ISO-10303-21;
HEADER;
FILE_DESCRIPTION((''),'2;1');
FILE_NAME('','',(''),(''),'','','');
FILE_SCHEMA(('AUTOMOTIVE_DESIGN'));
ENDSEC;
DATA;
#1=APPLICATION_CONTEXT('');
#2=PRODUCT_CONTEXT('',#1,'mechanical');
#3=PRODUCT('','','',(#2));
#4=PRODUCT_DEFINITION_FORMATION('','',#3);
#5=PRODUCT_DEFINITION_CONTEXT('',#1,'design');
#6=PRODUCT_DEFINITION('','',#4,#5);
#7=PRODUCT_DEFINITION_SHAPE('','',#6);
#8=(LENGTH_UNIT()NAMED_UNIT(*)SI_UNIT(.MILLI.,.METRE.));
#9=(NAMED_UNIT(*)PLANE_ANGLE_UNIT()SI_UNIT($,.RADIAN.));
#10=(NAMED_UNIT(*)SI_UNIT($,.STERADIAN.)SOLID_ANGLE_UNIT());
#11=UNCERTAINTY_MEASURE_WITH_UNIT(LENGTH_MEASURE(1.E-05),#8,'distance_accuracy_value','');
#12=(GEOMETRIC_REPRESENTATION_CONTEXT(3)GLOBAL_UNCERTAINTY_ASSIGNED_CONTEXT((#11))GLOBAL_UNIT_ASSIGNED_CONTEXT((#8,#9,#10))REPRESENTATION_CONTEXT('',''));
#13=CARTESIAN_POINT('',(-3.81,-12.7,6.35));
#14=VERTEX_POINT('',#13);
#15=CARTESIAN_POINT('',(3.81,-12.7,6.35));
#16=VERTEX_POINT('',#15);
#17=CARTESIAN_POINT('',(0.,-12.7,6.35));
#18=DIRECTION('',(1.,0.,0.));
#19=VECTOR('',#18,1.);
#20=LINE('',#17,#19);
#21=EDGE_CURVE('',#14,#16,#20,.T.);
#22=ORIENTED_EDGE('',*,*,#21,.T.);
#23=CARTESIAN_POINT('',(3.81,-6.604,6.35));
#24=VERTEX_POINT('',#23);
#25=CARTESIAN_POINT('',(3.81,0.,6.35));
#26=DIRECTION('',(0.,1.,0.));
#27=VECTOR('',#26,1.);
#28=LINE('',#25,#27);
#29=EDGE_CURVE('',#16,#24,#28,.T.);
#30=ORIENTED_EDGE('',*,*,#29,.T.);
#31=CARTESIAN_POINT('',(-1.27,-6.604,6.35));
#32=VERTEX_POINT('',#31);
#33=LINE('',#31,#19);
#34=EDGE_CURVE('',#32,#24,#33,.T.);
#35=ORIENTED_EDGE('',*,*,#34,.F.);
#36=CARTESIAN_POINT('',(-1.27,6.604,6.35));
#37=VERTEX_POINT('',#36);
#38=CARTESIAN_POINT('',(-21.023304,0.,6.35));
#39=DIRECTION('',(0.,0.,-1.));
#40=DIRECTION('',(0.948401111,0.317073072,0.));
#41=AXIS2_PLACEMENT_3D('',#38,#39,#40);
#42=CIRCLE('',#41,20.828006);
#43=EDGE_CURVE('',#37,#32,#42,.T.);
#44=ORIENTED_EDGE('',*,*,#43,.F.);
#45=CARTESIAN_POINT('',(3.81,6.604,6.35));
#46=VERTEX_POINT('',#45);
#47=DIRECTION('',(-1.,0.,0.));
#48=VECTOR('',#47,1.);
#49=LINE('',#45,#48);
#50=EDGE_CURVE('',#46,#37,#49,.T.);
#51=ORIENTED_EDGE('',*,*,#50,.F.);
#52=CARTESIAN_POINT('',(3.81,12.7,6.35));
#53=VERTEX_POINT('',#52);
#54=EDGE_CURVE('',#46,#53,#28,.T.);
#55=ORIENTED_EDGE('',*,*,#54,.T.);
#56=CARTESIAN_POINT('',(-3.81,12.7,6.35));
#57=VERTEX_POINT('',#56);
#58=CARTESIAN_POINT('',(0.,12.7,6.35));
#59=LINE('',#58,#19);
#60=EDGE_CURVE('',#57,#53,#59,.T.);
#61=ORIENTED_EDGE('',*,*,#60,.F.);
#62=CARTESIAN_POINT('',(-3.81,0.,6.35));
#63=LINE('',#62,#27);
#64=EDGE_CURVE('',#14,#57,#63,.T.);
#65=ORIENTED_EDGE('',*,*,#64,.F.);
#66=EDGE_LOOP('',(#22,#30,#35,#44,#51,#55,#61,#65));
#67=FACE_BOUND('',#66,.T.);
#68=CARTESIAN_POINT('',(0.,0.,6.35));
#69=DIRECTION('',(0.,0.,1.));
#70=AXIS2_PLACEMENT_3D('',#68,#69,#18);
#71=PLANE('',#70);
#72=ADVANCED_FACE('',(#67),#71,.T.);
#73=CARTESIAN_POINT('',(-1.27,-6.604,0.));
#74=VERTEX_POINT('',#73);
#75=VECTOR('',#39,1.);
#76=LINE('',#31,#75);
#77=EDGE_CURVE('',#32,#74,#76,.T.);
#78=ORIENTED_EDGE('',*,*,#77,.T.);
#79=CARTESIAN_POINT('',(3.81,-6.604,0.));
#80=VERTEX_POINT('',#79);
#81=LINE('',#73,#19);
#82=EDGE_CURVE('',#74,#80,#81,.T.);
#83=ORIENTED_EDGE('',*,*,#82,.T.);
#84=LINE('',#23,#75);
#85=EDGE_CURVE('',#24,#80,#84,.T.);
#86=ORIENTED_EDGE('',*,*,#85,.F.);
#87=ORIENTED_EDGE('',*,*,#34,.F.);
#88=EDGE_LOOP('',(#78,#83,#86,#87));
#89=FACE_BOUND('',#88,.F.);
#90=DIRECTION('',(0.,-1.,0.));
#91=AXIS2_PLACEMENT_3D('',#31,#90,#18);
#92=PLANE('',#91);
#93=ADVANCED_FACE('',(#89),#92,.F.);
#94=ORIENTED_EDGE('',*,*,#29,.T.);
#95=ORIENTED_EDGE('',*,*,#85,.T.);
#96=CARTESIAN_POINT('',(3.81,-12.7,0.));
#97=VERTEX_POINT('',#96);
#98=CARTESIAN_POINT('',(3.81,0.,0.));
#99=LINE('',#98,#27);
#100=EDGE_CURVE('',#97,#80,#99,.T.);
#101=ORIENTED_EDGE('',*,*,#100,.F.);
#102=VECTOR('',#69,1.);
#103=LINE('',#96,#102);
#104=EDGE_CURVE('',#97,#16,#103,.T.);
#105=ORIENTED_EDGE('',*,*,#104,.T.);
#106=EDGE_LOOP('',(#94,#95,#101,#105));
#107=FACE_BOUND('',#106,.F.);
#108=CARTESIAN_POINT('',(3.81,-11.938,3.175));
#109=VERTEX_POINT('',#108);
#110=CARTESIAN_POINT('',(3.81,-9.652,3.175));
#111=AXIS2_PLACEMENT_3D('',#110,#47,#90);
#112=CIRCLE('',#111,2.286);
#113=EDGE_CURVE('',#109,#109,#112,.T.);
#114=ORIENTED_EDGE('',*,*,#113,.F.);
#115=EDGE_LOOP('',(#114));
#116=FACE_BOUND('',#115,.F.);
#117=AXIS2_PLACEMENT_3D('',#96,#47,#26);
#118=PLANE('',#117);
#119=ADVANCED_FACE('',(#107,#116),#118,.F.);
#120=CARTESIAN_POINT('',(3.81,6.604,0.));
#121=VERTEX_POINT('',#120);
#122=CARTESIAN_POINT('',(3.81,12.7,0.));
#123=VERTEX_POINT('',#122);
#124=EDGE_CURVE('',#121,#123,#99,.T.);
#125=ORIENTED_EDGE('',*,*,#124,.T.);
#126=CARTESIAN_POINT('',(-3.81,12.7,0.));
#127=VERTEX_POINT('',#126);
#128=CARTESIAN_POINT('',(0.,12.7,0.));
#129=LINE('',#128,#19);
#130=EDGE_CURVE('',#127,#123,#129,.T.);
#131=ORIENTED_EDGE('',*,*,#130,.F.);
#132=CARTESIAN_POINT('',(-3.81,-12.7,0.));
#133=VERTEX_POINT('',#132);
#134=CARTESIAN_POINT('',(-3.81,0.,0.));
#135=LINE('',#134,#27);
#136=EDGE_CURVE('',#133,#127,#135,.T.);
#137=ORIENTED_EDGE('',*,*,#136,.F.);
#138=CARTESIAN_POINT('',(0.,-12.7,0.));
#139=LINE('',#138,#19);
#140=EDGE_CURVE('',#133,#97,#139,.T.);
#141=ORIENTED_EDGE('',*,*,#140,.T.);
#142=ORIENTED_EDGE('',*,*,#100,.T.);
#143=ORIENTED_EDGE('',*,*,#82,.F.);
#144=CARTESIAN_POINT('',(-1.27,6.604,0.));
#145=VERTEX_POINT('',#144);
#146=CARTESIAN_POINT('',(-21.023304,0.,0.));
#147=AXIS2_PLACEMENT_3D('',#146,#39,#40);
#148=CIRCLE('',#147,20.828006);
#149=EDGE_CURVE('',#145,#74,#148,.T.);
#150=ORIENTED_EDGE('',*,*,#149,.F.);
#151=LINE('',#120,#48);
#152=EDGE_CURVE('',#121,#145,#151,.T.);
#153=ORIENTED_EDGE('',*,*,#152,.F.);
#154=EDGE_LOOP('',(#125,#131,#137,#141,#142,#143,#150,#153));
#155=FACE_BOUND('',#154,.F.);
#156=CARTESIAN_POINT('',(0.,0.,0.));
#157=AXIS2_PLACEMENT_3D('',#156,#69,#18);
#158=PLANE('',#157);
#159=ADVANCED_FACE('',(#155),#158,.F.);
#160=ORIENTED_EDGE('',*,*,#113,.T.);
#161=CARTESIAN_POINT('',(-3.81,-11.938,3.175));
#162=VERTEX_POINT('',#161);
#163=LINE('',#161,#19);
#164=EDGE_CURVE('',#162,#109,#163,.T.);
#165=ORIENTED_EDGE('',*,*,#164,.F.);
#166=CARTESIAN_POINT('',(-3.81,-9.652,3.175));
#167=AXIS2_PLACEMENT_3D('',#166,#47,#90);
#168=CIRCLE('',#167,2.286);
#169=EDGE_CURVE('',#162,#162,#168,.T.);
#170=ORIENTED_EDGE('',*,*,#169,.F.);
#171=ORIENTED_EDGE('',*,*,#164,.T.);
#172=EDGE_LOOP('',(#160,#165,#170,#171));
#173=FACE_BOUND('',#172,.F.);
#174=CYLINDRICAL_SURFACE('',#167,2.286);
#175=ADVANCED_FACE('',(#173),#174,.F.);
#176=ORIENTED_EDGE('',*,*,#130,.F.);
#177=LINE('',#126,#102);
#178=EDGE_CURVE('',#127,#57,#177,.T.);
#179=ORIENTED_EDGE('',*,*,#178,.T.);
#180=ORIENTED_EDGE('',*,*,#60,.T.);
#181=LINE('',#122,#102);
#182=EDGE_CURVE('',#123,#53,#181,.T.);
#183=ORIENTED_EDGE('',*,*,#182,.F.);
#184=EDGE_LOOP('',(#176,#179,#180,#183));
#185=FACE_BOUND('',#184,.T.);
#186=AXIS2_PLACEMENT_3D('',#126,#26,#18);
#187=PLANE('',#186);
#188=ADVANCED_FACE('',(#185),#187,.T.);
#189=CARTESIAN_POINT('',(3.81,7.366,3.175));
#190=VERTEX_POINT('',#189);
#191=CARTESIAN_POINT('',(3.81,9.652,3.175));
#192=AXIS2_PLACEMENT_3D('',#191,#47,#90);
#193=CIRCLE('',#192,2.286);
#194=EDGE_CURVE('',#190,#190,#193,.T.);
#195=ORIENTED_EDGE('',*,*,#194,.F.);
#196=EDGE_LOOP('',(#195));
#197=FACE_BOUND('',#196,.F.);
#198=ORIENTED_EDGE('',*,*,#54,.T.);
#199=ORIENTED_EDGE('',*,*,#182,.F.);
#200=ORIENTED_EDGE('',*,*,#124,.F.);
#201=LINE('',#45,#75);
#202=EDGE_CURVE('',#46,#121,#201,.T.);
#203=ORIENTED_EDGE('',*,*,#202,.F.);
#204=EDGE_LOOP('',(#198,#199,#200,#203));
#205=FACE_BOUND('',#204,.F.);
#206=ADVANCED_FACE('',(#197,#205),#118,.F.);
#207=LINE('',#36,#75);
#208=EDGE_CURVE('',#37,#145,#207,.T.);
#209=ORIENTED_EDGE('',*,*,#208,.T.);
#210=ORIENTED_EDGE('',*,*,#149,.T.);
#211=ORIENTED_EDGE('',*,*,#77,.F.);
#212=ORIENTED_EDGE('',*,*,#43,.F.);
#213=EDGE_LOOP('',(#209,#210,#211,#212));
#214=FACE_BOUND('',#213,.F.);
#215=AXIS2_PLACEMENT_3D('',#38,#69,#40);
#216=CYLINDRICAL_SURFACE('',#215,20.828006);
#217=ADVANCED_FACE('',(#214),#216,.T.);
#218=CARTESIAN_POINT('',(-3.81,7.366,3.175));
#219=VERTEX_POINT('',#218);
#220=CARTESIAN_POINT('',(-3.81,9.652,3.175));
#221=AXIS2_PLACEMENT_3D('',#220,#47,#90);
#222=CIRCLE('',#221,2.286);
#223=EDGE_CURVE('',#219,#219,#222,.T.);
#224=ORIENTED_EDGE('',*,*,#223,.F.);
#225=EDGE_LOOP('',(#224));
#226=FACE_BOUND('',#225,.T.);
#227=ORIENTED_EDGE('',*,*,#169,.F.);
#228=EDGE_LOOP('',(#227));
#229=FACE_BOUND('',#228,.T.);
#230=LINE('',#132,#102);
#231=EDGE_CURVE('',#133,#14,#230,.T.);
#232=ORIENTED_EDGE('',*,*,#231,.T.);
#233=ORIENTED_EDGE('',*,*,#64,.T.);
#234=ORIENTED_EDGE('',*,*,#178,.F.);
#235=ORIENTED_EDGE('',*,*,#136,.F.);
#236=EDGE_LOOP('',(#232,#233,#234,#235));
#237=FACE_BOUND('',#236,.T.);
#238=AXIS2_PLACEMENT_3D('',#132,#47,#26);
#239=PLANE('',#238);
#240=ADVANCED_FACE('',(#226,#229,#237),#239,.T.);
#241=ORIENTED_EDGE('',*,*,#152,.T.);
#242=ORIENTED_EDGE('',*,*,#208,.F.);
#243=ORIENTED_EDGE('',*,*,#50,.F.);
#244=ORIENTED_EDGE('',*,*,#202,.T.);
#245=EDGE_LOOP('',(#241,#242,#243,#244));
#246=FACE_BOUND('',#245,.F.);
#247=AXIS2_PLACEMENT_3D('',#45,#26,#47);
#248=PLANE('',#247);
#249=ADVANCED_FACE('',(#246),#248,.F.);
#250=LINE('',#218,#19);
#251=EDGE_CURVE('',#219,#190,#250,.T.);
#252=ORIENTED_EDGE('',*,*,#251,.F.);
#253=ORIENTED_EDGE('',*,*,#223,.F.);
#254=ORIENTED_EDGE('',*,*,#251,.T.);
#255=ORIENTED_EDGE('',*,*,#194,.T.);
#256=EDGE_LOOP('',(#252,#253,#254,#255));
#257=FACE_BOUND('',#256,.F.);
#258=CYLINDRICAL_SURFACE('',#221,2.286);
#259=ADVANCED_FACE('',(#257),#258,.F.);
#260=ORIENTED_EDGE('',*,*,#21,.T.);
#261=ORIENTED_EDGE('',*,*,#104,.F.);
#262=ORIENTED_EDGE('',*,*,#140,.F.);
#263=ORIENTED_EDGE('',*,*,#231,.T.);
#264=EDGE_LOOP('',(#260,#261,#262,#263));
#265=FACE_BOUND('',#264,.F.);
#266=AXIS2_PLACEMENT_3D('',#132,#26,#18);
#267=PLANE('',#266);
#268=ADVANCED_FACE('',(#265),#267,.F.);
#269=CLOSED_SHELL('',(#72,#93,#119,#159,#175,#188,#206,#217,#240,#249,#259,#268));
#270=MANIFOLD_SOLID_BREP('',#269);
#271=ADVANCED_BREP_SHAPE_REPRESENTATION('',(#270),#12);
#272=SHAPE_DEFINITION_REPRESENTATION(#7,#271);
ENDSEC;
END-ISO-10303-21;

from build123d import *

# Parameters (mm, degrees)
F0_W     = 7.62
F0_H     = 25.4
F1_DEPTH = 6.35
F3_DEPTH = 6.35
F4_R     = 2.286
F5_DEPTH = 7.62


with BuildPart() as f1:
    # F0 (on Top) → F1 (new body)
    with BuildSketch(Plane.XY):
        Rectangle(F0_W, F0_H)
    extrude(amount=F1_DEPTH)

    # F2 (on face) → F3 (cut, through all)
    with BuildSketch(Plane.XY.offset(6.35)):
        with BuildLine():
            ThreePointArc((-1.27, 6.604), (-0.195298, 0), (-1.27, -6.604))
            Line((-1.27, -6.604), (3.81, -6.604))
            Line((3.81, -6.604), (3.81, 6.604))
            Line((3.81, 6.604), (-1.27, 6.604))
        make_face()
    extrude(amount=-F3_DEPTH, mode=Mode.SUBTRACT)

    # F4 (on face) → F5 (cut, through all)
    with BuildSketch(Plane(origin=(-3.81, 0, 0), x_dir=(0, -1, 0), z_dir=(-1, 0, 0))):
        with Locations((-9.652, 3.175)):
            Circle(F4_R)
        with Locations((9.652, 3.175)):
            Circle(F4_R)
    extrude(amount=-F5_DEPTH, mode=Mode.SUBTRACT)


solid = f1.part
